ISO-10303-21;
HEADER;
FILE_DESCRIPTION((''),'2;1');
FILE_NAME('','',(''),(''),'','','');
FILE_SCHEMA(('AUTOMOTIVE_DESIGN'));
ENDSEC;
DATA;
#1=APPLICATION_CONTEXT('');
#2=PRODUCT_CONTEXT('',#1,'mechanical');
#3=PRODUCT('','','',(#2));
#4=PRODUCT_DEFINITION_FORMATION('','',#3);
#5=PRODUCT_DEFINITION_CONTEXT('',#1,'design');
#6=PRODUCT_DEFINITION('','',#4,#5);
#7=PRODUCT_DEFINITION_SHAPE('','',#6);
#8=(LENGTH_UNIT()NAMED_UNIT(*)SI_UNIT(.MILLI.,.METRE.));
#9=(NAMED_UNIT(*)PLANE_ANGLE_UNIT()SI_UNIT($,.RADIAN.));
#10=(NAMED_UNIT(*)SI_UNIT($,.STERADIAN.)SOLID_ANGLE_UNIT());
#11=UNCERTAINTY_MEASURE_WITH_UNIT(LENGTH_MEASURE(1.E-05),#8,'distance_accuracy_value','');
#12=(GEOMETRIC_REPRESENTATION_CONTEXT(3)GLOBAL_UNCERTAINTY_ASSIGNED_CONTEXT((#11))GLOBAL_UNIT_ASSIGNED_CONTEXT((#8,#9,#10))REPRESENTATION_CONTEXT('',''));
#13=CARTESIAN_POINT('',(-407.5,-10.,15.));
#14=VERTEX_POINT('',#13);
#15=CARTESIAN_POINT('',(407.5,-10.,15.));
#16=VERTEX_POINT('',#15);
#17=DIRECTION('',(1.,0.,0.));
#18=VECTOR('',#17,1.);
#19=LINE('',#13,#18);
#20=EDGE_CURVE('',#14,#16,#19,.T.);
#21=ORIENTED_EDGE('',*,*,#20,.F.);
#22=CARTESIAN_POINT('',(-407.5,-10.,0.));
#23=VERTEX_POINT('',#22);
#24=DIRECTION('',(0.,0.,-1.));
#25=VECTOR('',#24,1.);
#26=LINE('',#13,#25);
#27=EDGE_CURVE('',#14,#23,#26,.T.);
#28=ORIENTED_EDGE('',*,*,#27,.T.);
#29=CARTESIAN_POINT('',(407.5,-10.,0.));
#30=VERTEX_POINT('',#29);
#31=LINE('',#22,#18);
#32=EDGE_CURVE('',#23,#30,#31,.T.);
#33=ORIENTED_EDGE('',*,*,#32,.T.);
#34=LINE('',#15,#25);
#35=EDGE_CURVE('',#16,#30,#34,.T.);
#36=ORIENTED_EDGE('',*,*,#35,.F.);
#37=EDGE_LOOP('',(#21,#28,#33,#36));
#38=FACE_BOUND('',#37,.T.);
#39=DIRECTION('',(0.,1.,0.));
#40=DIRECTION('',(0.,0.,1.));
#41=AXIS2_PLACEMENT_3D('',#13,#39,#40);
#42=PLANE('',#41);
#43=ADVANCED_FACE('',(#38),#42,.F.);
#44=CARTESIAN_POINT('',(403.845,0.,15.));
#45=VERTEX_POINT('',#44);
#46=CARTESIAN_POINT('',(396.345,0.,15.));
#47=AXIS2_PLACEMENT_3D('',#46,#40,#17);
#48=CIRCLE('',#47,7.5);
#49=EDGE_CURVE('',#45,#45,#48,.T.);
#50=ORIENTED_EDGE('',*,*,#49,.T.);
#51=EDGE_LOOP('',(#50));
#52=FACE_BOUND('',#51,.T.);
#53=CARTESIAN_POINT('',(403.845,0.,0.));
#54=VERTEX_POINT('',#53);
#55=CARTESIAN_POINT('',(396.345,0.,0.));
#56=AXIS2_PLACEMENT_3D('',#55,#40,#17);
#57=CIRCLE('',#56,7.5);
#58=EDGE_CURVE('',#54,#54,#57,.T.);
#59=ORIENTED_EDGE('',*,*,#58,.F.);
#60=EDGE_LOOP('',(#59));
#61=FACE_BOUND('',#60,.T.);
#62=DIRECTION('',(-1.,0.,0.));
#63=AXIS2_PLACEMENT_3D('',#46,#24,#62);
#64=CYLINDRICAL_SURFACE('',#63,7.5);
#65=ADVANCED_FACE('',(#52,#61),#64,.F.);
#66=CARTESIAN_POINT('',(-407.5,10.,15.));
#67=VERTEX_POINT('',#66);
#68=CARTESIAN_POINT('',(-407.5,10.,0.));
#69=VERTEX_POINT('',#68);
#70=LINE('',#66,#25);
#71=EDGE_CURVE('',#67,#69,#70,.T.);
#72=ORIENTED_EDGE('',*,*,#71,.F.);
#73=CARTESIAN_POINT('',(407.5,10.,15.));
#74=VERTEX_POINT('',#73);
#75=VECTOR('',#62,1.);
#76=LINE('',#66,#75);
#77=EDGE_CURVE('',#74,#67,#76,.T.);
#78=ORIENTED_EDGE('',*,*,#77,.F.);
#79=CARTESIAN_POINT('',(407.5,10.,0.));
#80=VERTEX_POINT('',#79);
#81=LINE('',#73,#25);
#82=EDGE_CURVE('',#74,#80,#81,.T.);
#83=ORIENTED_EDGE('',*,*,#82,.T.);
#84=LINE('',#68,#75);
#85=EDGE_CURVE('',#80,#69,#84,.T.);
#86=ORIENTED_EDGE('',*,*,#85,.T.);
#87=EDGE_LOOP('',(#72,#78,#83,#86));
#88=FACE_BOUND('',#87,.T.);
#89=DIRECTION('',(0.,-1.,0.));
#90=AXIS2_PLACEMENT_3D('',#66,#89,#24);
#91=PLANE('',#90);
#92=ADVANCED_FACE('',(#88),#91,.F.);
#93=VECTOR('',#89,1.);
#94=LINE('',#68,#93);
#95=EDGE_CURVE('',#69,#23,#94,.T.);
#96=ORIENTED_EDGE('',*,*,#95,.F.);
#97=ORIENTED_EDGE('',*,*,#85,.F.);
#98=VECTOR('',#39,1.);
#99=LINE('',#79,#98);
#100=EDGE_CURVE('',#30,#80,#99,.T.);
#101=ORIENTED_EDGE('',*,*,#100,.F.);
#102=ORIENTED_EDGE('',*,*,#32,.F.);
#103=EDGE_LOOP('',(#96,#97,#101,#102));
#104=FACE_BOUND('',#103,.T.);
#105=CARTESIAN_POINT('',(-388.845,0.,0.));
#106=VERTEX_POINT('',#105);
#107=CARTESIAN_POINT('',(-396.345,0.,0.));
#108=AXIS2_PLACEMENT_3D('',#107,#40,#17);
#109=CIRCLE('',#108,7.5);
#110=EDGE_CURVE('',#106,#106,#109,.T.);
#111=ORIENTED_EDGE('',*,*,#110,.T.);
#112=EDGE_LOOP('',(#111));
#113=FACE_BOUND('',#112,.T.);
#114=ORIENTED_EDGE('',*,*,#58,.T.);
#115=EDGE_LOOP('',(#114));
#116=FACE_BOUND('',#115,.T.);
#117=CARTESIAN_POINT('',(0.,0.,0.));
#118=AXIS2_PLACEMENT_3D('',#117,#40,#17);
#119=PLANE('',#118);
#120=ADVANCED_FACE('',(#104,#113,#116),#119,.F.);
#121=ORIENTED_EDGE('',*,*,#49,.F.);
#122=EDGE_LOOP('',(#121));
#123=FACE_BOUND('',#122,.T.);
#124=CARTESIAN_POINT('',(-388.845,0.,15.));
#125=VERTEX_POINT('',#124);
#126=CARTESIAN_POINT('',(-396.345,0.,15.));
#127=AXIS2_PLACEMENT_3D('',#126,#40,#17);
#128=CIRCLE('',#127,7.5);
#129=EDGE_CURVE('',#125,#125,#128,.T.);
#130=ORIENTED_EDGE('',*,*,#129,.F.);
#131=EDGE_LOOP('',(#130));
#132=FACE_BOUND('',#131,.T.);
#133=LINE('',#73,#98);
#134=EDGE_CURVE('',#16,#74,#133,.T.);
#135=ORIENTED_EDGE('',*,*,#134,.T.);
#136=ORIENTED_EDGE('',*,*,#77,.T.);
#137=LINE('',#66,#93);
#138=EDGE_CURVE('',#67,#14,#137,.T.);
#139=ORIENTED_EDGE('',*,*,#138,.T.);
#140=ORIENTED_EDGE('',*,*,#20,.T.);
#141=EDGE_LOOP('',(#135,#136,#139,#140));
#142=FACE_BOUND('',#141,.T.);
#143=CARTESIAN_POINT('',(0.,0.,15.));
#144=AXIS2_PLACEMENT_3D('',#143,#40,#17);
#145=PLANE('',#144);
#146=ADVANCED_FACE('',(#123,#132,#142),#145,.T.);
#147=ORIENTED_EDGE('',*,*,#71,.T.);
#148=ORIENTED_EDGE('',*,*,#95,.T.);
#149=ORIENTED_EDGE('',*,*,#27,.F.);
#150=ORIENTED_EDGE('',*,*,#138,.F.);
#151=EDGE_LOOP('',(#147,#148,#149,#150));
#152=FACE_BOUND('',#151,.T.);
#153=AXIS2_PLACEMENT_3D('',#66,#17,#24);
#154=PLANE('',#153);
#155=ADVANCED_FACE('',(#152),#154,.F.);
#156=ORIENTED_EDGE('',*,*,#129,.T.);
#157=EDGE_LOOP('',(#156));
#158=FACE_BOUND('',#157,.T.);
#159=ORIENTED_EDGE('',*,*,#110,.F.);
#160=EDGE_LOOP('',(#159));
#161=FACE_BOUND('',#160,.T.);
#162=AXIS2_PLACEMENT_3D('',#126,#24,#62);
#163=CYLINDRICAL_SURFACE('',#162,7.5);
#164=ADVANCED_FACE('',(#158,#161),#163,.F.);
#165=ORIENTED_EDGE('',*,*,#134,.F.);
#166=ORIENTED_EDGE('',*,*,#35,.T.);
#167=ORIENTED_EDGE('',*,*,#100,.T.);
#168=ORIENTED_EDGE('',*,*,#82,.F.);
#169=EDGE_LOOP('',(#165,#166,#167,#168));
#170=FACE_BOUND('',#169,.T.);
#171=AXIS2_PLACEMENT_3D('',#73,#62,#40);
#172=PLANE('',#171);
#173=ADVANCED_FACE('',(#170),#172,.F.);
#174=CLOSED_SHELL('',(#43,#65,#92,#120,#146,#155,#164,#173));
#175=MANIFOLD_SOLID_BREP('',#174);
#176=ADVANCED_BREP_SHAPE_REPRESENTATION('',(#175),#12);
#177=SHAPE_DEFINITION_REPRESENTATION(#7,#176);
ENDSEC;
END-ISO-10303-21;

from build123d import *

# Parameters (mm, degrees)
SKETCH1_W           = 815
SKETCH1_H           = 20
SKETCH1_R           = 7.5
BOSS_EXTRUDE1_DEPTH = 15


with BuildPart() as part:
    # Sketch1 → Boss-Extrude1 (new body)
    with BuildSketch(Plane.XY):
        Rectangle(SKETCH1_W, SKETCH1_H)
        with Locations((-396.345, 0)):
            Circle(SKETCH1_R, mode=Mode.SUBTRACT)
        with Locations((396.345, 0)):
            Circle(SKETCH1_R, mode=Mode.SUBTRACT)
    extrude(amount=BOSS_EXTRUDE1_DEPTH)


solid = part.part
